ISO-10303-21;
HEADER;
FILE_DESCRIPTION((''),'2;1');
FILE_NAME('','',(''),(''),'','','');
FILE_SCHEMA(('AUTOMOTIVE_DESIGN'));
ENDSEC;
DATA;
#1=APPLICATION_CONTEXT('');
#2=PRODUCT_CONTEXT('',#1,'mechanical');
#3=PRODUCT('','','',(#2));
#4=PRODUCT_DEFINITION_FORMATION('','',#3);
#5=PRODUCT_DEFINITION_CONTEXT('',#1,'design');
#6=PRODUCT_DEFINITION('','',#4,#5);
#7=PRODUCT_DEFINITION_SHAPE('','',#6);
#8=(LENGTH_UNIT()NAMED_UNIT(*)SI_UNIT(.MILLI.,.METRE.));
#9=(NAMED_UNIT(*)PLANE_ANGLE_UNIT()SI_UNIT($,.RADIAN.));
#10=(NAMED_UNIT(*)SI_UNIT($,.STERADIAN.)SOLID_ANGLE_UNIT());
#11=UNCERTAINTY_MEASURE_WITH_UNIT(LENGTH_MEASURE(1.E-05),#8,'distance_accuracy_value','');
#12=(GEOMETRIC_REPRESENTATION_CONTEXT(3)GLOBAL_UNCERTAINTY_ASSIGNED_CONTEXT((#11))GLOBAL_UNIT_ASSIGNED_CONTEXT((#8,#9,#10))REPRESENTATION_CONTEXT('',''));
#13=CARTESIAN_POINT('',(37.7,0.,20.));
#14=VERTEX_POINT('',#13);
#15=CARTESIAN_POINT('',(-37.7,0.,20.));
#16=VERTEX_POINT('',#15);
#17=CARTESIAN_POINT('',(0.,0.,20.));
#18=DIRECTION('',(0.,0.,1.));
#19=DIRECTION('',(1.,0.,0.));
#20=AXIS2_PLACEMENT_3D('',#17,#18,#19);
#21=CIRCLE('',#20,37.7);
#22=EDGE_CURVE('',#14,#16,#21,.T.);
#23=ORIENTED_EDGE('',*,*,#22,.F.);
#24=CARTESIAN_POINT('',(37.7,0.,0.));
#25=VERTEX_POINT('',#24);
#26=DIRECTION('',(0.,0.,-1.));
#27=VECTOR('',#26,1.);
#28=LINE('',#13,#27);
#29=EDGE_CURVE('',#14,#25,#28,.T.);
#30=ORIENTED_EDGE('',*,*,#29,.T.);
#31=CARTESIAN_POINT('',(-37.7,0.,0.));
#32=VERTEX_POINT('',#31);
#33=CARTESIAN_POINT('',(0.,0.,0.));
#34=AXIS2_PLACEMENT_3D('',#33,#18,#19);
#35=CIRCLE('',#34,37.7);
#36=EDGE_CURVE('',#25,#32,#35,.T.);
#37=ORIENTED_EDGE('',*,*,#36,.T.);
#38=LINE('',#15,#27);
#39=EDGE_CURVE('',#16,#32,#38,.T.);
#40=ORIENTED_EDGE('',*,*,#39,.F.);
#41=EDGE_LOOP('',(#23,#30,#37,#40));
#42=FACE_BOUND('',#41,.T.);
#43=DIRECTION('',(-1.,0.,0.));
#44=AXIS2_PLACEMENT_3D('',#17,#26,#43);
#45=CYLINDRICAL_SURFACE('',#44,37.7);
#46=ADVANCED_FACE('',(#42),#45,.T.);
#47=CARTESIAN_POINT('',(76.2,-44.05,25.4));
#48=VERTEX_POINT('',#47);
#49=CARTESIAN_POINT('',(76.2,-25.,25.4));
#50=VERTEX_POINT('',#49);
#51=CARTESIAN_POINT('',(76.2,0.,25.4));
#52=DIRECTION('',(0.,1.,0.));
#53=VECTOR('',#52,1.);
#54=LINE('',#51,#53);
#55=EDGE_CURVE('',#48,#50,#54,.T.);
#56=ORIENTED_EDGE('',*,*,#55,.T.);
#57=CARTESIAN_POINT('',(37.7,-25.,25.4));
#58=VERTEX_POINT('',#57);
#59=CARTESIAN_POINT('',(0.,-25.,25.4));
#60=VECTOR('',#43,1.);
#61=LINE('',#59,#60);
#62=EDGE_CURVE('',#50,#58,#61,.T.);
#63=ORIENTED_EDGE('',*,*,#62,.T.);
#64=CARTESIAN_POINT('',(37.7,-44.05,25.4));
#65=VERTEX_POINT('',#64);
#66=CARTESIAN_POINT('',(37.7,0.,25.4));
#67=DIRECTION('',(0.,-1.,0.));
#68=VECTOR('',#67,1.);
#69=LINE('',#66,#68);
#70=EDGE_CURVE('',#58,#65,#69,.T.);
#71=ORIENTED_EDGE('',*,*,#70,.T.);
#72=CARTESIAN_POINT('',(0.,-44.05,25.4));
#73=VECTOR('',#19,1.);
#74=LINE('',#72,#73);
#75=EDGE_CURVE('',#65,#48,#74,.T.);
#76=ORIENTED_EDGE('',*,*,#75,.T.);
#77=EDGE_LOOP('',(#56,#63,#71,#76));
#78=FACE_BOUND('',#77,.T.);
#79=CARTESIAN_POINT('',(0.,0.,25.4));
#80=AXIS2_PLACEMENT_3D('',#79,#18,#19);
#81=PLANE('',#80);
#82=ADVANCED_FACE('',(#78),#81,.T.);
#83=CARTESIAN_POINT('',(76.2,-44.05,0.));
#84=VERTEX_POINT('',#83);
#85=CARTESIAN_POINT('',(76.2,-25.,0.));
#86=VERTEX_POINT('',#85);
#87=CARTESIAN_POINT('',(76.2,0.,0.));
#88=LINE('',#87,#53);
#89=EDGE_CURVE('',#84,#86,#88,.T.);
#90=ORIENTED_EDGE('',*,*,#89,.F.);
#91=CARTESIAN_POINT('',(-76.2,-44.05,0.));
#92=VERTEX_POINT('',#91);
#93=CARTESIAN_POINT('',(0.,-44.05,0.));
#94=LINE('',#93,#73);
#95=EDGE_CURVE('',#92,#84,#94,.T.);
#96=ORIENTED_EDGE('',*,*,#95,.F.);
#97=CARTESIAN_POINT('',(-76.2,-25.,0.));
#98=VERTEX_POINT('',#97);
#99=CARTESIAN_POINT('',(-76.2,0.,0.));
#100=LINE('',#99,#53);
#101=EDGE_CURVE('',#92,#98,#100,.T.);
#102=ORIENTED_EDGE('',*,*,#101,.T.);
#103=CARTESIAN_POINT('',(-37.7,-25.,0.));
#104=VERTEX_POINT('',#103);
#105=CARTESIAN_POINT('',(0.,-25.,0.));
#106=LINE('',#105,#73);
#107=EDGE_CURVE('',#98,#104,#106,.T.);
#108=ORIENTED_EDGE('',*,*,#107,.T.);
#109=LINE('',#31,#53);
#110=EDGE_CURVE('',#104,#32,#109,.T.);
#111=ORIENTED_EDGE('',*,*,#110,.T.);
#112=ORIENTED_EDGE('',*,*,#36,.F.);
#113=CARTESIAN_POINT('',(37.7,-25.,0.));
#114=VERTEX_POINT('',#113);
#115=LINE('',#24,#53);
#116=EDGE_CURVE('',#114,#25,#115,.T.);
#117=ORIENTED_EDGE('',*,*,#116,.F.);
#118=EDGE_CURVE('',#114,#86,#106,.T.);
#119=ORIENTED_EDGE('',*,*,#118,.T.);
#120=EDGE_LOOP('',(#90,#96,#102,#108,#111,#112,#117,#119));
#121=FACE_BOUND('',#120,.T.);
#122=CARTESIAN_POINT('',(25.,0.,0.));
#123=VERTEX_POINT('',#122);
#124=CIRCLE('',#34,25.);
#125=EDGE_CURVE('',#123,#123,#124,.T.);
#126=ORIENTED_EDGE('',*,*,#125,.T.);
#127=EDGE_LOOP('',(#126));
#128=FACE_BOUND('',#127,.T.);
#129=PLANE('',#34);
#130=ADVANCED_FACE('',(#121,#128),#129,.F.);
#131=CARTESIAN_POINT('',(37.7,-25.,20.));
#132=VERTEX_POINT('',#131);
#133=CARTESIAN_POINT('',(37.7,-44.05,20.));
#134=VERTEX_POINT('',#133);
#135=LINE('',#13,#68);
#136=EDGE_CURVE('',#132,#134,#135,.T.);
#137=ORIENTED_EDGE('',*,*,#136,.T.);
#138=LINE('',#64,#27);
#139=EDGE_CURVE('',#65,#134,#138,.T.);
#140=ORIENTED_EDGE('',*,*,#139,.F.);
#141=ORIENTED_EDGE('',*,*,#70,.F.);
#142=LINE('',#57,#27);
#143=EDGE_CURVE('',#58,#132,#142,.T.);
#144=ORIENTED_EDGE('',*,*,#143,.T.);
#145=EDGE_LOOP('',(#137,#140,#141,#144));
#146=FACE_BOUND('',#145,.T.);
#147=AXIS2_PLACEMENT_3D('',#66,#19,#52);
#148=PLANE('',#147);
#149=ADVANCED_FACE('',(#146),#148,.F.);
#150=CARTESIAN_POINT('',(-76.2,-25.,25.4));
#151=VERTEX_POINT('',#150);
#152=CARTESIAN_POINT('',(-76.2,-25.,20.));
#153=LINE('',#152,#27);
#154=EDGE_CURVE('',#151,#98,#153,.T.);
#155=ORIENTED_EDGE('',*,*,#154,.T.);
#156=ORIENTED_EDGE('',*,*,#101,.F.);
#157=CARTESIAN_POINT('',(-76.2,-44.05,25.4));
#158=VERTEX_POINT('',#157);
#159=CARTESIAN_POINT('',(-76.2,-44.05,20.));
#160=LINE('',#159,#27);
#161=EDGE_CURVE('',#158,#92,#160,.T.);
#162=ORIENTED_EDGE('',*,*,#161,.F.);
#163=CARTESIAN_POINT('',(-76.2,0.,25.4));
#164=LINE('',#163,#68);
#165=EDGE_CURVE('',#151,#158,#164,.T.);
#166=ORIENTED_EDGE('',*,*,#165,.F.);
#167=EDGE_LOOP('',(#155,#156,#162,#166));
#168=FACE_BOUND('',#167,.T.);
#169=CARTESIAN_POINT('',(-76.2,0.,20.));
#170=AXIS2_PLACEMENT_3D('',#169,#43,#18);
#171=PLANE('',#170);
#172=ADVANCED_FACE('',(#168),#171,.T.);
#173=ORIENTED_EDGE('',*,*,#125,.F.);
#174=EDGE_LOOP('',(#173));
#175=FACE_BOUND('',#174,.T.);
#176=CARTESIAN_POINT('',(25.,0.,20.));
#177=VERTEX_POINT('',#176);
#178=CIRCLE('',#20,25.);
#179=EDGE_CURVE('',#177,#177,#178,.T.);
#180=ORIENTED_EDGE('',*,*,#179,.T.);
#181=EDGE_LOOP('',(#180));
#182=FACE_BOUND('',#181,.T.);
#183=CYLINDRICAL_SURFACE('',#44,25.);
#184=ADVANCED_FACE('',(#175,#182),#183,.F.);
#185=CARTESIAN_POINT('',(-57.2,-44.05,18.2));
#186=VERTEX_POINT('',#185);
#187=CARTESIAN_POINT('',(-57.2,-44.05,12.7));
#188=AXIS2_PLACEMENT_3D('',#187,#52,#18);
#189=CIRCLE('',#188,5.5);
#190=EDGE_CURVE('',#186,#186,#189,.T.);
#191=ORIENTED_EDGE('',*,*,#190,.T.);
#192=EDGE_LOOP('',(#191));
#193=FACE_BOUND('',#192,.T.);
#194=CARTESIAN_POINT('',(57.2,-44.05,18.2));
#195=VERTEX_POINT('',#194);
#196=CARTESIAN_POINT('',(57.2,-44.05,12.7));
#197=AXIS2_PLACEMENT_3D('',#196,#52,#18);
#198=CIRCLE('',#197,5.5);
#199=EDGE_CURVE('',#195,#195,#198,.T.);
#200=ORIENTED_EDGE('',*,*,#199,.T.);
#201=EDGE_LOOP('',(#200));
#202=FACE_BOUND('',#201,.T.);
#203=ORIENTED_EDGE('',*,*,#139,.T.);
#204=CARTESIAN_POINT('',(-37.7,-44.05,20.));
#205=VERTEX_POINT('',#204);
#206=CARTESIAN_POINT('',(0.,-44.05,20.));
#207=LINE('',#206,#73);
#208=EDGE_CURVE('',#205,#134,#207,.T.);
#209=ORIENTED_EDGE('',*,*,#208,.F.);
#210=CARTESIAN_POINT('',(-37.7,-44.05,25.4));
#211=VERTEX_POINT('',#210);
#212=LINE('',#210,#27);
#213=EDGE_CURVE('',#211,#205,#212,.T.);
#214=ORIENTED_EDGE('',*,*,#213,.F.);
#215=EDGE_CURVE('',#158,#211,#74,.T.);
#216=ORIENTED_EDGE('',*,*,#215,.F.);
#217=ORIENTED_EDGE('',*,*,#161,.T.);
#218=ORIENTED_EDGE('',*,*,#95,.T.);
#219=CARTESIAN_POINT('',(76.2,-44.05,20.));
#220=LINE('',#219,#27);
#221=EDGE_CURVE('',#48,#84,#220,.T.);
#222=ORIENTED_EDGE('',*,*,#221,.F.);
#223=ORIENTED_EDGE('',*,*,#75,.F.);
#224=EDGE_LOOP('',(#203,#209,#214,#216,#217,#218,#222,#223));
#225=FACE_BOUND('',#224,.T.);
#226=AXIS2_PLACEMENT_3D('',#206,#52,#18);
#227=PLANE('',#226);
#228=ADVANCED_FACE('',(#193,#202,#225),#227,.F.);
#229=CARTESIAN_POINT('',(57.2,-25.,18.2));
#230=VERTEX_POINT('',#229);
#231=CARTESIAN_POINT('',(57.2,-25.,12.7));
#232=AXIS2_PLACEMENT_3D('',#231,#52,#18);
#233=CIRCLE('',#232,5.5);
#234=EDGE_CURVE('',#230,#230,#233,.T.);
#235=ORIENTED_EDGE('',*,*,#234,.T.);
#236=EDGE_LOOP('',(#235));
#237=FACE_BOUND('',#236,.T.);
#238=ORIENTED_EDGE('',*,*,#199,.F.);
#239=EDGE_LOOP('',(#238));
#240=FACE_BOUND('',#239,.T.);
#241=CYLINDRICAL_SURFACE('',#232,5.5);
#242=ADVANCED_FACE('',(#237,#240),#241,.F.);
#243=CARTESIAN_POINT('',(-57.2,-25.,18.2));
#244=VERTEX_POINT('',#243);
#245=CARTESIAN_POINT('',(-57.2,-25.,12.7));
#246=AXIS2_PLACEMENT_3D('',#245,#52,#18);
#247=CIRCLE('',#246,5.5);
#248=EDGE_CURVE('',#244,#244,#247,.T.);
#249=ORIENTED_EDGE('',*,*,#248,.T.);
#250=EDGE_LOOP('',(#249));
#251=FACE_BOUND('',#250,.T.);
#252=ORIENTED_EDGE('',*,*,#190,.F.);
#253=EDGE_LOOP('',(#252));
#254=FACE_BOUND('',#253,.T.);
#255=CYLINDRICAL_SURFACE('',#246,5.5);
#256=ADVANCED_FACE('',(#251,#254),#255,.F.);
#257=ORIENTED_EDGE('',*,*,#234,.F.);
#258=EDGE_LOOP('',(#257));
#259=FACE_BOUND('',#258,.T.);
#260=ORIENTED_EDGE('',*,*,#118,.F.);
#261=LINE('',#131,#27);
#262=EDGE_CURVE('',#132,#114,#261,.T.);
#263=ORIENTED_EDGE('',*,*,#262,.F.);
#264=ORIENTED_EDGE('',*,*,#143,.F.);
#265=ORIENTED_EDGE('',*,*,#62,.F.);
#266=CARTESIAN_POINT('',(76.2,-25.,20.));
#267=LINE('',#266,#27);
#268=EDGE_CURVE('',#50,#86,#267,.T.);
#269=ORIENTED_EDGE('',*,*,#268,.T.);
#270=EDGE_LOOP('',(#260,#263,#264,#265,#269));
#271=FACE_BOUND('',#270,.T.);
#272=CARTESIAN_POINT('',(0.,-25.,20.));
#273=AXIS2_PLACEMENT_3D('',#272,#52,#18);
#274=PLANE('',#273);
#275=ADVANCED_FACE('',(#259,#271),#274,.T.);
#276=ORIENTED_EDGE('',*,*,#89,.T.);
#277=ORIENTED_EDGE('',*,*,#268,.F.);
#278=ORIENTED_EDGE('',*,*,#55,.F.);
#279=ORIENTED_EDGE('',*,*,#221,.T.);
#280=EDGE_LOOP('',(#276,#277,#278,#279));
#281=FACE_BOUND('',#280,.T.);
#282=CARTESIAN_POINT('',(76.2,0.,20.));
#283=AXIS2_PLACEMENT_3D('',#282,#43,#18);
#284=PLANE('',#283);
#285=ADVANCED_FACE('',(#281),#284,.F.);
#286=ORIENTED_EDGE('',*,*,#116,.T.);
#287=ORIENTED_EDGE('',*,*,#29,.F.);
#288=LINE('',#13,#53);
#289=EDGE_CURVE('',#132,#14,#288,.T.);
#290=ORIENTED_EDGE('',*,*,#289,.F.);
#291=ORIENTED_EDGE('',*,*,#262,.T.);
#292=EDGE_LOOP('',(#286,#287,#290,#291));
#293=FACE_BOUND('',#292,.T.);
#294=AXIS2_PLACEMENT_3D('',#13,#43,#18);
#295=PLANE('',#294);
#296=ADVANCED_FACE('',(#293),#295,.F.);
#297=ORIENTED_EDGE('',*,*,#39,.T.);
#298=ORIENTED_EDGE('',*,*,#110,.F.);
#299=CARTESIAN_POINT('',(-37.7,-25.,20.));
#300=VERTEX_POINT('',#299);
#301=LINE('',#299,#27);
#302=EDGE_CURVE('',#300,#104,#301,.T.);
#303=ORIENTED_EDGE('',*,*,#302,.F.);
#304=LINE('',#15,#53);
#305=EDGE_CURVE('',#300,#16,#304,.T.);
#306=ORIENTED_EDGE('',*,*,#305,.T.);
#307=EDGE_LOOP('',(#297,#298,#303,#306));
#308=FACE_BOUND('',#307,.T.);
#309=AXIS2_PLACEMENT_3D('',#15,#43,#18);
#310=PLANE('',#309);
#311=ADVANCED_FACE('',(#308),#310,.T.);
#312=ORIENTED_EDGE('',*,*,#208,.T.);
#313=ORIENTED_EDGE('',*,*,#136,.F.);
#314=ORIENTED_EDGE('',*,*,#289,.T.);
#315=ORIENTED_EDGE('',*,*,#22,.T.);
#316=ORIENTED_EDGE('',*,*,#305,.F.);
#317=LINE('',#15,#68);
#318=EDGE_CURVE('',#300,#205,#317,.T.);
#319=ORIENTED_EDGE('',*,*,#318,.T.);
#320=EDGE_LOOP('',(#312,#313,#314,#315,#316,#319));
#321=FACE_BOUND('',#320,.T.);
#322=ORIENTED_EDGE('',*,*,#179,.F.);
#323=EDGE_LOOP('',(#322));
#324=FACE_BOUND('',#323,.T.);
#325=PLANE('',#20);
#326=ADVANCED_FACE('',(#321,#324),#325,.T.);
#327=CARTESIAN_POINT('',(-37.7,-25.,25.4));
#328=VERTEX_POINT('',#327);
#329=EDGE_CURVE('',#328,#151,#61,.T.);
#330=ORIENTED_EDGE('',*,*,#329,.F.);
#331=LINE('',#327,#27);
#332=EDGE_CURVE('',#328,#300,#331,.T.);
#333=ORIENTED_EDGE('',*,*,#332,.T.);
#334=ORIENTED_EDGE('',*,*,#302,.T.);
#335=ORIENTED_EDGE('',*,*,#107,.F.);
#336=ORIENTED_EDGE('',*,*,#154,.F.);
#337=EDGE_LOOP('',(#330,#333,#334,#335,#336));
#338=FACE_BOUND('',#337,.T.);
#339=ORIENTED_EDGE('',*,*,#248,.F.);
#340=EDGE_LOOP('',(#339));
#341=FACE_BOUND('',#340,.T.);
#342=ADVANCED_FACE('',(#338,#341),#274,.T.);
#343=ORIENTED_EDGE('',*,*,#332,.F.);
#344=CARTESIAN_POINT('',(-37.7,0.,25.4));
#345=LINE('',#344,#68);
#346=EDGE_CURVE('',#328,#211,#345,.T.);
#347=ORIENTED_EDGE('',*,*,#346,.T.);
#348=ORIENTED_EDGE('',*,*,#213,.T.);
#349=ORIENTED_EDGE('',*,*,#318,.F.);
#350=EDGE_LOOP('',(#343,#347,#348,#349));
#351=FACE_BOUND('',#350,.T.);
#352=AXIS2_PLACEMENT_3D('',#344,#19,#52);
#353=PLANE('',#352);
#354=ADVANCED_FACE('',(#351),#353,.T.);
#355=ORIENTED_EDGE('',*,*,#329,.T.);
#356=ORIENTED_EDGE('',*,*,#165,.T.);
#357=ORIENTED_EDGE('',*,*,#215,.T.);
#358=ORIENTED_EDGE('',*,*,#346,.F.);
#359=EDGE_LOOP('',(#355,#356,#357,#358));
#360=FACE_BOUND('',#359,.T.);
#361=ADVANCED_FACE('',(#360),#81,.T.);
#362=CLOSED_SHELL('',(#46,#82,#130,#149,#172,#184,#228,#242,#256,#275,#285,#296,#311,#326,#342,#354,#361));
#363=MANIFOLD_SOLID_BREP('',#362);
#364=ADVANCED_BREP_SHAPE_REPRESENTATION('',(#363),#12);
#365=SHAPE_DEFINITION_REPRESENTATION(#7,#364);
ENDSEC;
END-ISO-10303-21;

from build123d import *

# Parameters (mm, degrees)
SKETCH1_R             = 25
BOSS_EXTRUDE1_DEPTH   = 20
SKETCH2_W             = 38.5
SKETCH2_H             = 19.05
BOSS_EXTRUDE2_DEPTH   = 5.4
M10_CLEARANCE_HOLE1_D = 11


with BuildPart() as part:
    # Sketch1 → Boss-Extrude1 (new body)
    with BuildSketch(Plane.XY):
        with BuildLine():
            Line((-76.2, -25), (-76.2, -44.05))
            Line((-76.2, -44.05), (76.2, -44.05))
            Line((76.2, -44.05), (76.2, -25))
            Line((76.2, -25), (37.7, -25))
            Line((37.7, -25), (37.7, 0))
            ThreePointArc((37.7, 0), (0, 37.7), (-37.7, 0))
            Line((-37.7, 0), (-37.7, -25))
            Line((-37.7, -25), (-76.2, -25))
        make_face()
        Circle(SKETCH1_R, mode=Mode.SUBTRACT)
    extrude(amount=BOSS_EXTRUDE1_DEPTH)

    # Sketch2 → Boss-Extrude2 (add)
    with BuildSketch(Plane.XY.offset(20)):
        with Locations((-56.95, -34.525)):
            Rectangle(SKETCH2_W, SKETCH2_H)
        with Locations((56.95, -34.525)):
            Rectangle(SKETCH2_W, SKETCH2_H)
    extrude(amount=BOSS_EXTRUDE2_DEPTH)

    # M10 Clearance Hole1 (through all)
    with Locations(Plane(origin=(0, -25, 0), x_dir=(1, 0, 0), z_dir=(0, 1, 0))):
        with Locations((-57.2, -12.7), (57.2, -12.7)):
            Hole(M10_CLEARANCE_HOLE1_D / 2)


solid = part.part
